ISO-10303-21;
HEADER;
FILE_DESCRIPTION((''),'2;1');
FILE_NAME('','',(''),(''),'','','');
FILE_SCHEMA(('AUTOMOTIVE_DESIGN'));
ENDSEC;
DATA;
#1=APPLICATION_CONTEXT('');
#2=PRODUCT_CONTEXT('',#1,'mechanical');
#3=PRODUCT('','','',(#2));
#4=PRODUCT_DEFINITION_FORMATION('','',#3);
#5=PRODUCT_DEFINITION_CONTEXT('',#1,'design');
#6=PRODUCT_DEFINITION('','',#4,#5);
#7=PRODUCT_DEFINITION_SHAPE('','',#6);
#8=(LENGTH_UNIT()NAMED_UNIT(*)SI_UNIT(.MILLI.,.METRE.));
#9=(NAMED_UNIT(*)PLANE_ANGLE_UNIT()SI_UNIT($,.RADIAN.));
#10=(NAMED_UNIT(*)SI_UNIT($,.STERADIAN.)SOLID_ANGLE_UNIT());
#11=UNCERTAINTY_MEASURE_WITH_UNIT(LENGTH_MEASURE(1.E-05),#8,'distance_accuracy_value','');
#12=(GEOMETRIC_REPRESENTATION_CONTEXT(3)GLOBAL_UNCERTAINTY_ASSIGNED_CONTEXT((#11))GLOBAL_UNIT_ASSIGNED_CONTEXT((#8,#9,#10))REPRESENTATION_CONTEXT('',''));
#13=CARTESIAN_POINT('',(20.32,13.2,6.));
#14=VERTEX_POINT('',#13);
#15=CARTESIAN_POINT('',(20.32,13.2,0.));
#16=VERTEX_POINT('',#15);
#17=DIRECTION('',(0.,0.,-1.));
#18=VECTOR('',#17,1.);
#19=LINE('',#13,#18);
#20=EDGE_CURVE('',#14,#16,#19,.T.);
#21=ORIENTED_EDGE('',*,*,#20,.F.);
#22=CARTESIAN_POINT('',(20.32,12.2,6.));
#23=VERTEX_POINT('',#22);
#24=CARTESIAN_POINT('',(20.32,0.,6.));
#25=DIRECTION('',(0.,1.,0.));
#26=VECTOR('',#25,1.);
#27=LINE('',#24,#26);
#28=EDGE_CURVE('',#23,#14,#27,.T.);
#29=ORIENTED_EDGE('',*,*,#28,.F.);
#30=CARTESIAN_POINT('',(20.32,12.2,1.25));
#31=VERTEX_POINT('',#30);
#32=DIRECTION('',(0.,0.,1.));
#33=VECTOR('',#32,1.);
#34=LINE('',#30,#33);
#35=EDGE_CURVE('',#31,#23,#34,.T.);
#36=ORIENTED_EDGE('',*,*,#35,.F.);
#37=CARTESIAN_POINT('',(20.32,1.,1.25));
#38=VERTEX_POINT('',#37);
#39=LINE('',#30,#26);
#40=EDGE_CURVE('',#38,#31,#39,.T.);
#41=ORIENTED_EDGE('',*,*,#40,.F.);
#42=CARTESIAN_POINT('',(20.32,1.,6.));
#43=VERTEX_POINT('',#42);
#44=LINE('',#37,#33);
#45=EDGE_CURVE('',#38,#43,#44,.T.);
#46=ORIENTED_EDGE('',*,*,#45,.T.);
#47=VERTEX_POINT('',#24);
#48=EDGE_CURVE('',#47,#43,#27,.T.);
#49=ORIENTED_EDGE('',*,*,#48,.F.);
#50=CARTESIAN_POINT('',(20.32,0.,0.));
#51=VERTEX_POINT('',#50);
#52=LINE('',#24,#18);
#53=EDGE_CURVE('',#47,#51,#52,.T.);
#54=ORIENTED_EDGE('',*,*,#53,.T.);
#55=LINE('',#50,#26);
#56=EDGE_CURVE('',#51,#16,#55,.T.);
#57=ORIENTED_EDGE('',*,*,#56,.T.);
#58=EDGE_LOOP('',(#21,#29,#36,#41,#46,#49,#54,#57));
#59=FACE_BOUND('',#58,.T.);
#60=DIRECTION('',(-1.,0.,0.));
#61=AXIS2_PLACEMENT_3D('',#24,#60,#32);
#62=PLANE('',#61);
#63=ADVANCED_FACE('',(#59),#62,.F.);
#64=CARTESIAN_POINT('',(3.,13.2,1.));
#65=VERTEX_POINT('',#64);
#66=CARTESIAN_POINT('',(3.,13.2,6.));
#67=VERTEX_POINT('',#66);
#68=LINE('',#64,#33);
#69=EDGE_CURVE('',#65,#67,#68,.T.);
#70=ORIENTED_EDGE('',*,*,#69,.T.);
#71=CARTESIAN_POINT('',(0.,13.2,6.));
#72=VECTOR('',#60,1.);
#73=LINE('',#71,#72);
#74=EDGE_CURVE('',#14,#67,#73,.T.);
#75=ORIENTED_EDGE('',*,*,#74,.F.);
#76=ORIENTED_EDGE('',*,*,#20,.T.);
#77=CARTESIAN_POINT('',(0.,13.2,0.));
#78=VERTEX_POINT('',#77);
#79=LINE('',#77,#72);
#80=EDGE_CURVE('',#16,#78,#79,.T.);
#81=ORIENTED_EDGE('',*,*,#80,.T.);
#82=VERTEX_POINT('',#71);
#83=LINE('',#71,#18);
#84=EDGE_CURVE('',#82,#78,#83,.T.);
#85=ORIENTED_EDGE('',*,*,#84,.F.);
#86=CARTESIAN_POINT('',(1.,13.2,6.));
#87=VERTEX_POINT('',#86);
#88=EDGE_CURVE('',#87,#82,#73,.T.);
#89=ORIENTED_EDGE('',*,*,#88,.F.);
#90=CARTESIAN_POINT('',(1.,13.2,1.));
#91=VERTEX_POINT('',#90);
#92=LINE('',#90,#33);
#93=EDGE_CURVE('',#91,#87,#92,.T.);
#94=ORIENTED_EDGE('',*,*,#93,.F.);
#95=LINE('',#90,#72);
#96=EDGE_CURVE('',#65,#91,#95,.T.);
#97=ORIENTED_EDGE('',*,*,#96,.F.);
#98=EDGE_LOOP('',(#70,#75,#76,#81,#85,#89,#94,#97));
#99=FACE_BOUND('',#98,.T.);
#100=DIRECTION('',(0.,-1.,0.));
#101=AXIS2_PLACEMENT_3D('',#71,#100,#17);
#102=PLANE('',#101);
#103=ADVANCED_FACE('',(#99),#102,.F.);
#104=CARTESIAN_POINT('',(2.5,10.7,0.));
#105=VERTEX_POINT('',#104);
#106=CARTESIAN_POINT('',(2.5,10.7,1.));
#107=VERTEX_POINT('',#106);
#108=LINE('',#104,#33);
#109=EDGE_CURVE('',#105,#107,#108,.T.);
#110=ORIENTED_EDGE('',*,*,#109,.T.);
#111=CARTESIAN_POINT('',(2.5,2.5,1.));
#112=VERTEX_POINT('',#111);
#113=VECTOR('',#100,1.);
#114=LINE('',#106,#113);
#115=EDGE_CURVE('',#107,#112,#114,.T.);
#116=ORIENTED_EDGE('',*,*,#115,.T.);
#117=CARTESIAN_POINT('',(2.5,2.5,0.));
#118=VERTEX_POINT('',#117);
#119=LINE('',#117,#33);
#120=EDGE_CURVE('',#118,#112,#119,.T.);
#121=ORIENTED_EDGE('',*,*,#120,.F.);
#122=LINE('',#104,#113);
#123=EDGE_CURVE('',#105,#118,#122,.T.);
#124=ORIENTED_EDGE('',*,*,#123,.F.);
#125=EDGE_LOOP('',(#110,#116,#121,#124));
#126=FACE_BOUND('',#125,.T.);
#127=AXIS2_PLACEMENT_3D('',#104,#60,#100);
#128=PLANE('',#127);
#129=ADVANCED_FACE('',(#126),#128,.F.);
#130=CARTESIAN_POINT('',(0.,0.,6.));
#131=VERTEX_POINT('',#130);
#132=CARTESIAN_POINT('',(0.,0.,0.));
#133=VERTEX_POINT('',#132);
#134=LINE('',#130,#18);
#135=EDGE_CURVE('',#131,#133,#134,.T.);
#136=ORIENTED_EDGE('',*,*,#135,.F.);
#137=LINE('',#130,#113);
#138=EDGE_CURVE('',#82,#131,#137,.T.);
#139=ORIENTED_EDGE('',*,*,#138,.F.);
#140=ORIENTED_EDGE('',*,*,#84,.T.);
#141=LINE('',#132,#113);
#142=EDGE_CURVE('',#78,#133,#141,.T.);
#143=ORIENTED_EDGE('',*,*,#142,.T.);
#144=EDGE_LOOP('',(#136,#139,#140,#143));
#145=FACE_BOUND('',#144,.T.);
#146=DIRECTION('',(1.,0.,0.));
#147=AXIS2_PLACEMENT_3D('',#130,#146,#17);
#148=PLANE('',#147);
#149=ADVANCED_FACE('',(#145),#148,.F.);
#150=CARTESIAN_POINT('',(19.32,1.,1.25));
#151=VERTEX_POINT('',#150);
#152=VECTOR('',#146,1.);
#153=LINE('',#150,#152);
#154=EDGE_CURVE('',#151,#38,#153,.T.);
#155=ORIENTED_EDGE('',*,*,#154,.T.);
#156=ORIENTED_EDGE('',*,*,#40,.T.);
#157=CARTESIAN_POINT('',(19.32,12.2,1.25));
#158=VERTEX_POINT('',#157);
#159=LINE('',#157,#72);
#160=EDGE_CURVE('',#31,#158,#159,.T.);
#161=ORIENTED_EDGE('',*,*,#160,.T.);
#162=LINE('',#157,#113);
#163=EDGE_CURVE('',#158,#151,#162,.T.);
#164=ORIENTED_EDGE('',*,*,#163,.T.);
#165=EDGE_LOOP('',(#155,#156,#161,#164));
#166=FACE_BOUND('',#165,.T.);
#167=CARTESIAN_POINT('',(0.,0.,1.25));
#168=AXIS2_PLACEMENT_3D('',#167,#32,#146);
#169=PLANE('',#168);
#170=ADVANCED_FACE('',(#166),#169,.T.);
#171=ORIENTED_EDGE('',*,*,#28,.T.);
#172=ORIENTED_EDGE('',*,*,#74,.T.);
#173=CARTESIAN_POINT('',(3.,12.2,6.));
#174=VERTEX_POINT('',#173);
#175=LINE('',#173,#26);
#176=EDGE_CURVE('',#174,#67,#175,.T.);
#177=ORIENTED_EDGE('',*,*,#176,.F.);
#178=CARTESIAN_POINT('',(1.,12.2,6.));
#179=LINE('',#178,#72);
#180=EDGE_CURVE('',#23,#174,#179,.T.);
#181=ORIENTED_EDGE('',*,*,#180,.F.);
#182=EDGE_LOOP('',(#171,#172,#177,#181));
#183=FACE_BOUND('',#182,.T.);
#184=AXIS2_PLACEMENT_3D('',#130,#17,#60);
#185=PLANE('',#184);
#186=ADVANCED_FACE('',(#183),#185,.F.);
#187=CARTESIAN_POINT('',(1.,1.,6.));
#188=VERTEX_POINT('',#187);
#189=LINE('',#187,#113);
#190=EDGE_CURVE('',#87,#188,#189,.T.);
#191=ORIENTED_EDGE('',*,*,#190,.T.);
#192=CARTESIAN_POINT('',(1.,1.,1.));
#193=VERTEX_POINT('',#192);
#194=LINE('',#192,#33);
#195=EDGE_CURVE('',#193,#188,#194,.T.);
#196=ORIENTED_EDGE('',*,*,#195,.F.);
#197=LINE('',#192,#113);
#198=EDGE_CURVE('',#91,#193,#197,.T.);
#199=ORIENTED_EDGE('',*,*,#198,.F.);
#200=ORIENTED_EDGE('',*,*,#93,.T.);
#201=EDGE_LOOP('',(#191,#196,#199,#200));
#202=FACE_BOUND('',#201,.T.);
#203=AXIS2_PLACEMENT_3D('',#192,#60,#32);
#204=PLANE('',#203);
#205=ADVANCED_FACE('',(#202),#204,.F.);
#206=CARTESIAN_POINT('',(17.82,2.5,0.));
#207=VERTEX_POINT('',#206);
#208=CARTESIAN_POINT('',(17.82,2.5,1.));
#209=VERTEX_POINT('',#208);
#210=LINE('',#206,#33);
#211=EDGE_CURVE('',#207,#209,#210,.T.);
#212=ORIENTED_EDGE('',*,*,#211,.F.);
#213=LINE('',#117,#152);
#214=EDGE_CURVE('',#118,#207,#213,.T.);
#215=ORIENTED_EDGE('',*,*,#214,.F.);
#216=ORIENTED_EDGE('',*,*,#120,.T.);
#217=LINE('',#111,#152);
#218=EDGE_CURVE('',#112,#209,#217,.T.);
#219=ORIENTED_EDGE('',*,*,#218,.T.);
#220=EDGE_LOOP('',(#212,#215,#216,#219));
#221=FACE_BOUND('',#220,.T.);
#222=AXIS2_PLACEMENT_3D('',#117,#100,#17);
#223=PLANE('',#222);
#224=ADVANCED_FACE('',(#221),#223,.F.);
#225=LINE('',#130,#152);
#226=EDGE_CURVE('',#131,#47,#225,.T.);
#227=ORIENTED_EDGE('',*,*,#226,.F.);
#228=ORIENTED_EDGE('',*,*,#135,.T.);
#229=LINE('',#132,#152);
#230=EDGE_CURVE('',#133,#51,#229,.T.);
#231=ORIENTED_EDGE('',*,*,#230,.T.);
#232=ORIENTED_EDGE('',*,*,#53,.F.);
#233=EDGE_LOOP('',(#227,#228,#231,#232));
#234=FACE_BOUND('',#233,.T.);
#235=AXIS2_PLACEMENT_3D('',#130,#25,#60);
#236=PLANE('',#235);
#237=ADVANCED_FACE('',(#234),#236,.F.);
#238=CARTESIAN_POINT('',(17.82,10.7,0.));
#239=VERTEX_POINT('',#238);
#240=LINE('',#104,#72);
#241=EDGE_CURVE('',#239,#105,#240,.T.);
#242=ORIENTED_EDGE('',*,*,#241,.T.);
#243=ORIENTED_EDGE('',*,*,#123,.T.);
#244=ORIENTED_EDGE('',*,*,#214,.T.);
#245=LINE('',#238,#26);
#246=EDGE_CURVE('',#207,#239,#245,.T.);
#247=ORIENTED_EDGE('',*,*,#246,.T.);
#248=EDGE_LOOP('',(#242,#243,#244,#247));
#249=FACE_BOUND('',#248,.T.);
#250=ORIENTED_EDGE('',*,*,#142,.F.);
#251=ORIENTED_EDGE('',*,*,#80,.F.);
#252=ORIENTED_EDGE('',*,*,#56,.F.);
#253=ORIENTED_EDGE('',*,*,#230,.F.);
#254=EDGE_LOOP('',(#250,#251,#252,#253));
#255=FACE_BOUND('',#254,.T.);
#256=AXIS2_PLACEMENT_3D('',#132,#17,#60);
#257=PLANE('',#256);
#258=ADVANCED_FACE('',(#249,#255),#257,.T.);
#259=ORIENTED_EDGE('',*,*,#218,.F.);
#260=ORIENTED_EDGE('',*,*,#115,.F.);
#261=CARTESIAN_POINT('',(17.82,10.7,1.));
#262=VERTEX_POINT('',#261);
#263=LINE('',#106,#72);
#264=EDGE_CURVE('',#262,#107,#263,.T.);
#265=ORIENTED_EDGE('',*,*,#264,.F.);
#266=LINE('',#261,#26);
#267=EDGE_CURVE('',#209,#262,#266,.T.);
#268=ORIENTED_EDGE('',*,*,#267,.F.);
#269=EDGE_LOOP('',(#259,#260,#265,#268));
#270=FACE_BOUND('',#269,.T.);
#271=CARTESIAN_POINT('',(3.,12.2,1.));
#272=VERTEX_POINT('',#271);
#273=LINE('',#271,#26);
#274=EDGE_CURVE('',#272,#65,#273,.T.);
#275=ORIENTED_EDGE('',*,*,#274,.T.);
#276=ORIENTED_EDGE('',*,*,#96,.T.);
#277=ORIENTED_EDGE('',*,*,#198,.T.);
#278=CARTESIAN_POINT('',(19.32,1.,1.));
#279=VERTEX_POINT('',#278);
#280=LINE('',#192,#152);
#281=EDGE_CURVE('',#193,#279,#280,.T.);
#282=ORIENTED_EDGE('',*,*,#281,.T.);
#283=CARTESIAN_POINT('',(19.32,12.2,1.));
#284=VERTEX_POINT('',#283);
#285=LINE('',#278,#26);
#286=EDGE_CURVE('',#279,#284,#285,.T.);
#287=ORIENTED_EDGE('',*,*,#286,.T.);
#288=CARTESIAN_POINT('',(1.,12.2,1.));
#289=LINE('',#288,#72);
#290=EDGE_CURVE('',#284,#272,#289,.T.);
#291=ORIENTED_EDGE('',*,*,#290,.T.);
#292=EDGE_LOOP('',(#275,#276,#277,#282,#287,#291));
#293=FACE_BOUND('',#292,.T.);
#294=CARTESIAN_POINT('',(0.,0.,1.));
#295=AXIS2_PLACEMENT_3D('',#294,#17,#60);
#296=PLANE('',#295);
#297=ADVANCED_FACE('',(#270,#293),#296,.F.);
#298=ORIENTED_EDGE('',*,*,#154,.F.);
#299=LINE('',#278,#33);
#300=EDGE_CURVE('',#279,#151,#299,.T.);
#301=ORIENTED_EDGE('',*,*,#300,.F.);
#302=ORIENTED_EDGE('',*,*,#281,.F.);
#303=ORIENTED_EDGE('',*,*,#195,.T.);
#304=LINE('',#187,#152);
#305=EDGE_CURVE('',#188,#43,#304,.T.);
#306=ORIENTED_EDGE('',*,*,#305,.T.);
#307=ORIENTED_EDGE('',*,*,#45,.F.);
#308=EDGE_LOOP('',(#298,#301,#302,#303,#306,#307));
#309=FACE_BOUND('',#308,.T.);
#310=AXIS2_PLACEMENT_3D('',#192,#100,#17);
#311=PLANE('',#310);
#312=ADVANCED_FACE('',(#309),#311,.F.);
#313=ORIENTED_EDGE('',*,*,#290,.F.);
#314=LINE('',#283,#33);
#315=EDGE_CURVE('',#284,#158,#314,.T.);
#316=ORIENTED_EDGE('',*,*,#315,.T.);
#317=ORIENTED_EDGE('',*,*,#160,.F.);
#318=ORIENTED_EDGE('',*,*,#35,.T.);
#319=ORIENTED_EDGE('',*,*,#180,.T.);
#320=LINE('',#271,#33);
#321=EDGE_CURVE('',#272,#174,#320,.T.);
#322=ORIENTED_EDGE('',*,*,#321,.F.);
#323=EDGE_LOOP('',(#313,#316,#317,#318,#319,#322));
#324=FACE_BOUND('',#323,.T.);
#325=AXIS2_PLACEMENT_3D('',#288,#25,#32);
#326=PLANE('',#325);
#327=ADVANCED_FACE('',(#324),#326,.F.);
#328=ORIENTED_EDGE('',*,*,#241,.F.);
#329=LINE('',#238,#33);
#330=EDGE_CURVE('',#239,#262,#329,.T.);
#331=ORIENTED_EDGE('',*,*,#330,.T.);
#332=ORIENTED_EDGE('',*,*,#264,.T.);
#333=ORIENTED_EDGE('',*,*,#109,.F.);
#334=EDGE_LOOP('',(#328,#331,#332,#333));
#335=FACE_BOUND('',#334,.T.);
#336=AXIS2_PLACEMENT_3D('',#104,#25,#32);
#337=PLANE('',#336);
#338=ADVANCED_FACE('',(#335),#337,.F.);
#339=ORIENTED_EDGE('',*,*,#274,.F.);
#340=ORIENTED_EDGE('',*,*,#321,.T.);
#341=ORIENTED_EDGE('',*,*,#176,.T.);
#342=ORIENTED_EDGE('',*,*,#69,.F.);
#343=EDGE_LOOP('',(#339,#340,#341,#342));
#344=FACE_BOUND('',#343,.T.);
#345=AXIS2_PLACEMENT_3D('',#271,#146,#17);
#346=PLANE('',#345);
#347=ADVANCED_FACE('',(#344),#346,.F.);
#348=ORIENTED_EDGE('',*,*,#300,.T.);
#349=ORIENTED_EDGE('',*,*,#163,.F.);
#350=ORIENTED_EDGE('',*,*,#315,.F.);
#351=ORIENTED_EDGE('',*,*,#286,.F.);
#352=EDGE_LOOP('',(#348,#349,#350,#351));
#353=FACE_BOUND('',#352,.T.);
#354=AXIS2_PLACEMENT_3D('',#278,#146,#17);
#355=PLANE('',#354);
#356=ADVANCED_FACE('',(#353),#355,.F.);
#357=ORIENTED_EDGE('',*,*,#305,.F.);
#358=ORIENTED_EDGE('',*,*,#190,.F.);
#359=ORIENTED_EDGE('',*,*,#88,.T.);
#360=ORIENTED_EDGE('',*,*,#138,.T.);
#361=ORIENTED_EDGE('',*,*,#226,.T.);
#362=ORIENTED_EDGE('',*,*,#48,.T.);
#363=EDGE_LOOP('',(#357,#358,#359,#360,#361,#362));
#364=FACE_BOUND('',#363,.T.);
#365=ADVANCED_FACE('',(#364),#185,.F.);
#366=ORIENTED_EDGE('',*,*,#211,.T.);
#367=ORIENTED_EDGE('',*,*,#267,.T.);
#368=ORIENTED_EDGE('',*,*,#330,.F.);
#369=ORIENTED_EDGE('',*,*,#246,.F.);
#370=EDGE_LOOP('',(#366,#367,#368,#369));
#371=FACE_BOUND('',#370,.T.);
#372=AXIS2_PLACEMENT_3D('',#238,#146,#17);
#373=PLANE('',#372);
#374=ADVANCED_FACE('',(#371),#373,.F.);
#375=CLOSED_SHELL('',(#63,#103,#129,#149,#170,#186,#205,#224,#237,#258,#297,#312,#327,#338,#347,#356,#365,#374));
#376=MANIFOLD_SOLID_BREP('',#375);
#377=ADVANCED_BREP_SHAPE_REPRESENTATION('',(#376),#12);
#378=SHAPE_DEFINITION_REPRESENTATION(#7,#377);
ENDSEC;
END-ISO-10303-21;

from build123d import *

# Parameters (mm, degrees)
ESQUISSE1_W             = 20.32
ESQUISSE1_H             = 13.2
BOSS_EXTRU_1_DEPTH      = 6
ESQUISSE2_W             = 18.32
ESQUISSE2_H             = 11.2
ENL_V_MAT_EXTRU_1_DEPTH = 5
ESQUISSE3_W             = 2
ESQUISSE3_H             = 1
ENL_V_MAT_EXTRU_2_DEPTH = 5
ESQUISSE4_W             = 15.32
ESQUISSE4_H             = 8.2
ENL_V_MAT_EXTRU_3_DEPTH = 25.741511676
ESQUISSE6_W             = 1
ESQUISSE6_H             = 11.2
ENL_V_MAT_EXTRU_4_DEPTH = 4.75


with BuildPart() as part:
    # Esquisse1 → Boss.-Extru.1 (new body)
    with BuildSketch(Plane.XY):
        with Locations((10.16, 6.6)):
            Rectangle(ESQUISSE1_W, ESQUISSE1_H)
    extrude(amount=BOSS_EXTRU_1_DEPTH)

    # Esquisse2 → Enlèv. mat.-Extru.1 (cut)
    with BuildSketch(Plane.XY.offset(6)):
        with Locations((10.16, 6.6)):
            Rectangle(ESQUISSE2_W, ESQUISSE2_H)
    extrude(amount=-ENL_V_MAT_EXTRU_1_DEPTH, mode=Mode.SUBTRACT)

    # Esquisse3 → Enlèv. mat.-Extru.2 (cut)
    with BuildSketch(Plane.XY.offset(6)):
        with Locations((2, 12.7)):
            Rectangle(ESQUISSE3_W, ESQUISSE3_H)
    extrude(amount=-ENL_V_MAT_EXTRU_2_DEPTH, mode=Mode.SUBTRACT)

    # Esquisse4 → Enlèv. mat.-Extru.3 (cut, through all)
    with BuildSketch(Plane.XY.offset(1)):
        with Locations((10.16, 6.6)):
            Rectangle(ESQUISSE4_W, ESQUISSE4_H)
    extrude(amount=-ENL_V_MAT_EXTRU_3_DEPTH, mode=Mode.SUBTRACT)

    # Esquisse6 → Enlèv. mat.-Extru.4 (cut)
    with BuildSketch(Plane.XY.offset(6)):
        with Locations((19.82, 6.6)):
            Rectangle(ESQUISSE6_W, ESQUISSE6_H)
    extrude(amount=-ENL_V_MAT_EXTRU_4_DEPTH, mode=Mode.SUBTRACT)


solid = part.part
